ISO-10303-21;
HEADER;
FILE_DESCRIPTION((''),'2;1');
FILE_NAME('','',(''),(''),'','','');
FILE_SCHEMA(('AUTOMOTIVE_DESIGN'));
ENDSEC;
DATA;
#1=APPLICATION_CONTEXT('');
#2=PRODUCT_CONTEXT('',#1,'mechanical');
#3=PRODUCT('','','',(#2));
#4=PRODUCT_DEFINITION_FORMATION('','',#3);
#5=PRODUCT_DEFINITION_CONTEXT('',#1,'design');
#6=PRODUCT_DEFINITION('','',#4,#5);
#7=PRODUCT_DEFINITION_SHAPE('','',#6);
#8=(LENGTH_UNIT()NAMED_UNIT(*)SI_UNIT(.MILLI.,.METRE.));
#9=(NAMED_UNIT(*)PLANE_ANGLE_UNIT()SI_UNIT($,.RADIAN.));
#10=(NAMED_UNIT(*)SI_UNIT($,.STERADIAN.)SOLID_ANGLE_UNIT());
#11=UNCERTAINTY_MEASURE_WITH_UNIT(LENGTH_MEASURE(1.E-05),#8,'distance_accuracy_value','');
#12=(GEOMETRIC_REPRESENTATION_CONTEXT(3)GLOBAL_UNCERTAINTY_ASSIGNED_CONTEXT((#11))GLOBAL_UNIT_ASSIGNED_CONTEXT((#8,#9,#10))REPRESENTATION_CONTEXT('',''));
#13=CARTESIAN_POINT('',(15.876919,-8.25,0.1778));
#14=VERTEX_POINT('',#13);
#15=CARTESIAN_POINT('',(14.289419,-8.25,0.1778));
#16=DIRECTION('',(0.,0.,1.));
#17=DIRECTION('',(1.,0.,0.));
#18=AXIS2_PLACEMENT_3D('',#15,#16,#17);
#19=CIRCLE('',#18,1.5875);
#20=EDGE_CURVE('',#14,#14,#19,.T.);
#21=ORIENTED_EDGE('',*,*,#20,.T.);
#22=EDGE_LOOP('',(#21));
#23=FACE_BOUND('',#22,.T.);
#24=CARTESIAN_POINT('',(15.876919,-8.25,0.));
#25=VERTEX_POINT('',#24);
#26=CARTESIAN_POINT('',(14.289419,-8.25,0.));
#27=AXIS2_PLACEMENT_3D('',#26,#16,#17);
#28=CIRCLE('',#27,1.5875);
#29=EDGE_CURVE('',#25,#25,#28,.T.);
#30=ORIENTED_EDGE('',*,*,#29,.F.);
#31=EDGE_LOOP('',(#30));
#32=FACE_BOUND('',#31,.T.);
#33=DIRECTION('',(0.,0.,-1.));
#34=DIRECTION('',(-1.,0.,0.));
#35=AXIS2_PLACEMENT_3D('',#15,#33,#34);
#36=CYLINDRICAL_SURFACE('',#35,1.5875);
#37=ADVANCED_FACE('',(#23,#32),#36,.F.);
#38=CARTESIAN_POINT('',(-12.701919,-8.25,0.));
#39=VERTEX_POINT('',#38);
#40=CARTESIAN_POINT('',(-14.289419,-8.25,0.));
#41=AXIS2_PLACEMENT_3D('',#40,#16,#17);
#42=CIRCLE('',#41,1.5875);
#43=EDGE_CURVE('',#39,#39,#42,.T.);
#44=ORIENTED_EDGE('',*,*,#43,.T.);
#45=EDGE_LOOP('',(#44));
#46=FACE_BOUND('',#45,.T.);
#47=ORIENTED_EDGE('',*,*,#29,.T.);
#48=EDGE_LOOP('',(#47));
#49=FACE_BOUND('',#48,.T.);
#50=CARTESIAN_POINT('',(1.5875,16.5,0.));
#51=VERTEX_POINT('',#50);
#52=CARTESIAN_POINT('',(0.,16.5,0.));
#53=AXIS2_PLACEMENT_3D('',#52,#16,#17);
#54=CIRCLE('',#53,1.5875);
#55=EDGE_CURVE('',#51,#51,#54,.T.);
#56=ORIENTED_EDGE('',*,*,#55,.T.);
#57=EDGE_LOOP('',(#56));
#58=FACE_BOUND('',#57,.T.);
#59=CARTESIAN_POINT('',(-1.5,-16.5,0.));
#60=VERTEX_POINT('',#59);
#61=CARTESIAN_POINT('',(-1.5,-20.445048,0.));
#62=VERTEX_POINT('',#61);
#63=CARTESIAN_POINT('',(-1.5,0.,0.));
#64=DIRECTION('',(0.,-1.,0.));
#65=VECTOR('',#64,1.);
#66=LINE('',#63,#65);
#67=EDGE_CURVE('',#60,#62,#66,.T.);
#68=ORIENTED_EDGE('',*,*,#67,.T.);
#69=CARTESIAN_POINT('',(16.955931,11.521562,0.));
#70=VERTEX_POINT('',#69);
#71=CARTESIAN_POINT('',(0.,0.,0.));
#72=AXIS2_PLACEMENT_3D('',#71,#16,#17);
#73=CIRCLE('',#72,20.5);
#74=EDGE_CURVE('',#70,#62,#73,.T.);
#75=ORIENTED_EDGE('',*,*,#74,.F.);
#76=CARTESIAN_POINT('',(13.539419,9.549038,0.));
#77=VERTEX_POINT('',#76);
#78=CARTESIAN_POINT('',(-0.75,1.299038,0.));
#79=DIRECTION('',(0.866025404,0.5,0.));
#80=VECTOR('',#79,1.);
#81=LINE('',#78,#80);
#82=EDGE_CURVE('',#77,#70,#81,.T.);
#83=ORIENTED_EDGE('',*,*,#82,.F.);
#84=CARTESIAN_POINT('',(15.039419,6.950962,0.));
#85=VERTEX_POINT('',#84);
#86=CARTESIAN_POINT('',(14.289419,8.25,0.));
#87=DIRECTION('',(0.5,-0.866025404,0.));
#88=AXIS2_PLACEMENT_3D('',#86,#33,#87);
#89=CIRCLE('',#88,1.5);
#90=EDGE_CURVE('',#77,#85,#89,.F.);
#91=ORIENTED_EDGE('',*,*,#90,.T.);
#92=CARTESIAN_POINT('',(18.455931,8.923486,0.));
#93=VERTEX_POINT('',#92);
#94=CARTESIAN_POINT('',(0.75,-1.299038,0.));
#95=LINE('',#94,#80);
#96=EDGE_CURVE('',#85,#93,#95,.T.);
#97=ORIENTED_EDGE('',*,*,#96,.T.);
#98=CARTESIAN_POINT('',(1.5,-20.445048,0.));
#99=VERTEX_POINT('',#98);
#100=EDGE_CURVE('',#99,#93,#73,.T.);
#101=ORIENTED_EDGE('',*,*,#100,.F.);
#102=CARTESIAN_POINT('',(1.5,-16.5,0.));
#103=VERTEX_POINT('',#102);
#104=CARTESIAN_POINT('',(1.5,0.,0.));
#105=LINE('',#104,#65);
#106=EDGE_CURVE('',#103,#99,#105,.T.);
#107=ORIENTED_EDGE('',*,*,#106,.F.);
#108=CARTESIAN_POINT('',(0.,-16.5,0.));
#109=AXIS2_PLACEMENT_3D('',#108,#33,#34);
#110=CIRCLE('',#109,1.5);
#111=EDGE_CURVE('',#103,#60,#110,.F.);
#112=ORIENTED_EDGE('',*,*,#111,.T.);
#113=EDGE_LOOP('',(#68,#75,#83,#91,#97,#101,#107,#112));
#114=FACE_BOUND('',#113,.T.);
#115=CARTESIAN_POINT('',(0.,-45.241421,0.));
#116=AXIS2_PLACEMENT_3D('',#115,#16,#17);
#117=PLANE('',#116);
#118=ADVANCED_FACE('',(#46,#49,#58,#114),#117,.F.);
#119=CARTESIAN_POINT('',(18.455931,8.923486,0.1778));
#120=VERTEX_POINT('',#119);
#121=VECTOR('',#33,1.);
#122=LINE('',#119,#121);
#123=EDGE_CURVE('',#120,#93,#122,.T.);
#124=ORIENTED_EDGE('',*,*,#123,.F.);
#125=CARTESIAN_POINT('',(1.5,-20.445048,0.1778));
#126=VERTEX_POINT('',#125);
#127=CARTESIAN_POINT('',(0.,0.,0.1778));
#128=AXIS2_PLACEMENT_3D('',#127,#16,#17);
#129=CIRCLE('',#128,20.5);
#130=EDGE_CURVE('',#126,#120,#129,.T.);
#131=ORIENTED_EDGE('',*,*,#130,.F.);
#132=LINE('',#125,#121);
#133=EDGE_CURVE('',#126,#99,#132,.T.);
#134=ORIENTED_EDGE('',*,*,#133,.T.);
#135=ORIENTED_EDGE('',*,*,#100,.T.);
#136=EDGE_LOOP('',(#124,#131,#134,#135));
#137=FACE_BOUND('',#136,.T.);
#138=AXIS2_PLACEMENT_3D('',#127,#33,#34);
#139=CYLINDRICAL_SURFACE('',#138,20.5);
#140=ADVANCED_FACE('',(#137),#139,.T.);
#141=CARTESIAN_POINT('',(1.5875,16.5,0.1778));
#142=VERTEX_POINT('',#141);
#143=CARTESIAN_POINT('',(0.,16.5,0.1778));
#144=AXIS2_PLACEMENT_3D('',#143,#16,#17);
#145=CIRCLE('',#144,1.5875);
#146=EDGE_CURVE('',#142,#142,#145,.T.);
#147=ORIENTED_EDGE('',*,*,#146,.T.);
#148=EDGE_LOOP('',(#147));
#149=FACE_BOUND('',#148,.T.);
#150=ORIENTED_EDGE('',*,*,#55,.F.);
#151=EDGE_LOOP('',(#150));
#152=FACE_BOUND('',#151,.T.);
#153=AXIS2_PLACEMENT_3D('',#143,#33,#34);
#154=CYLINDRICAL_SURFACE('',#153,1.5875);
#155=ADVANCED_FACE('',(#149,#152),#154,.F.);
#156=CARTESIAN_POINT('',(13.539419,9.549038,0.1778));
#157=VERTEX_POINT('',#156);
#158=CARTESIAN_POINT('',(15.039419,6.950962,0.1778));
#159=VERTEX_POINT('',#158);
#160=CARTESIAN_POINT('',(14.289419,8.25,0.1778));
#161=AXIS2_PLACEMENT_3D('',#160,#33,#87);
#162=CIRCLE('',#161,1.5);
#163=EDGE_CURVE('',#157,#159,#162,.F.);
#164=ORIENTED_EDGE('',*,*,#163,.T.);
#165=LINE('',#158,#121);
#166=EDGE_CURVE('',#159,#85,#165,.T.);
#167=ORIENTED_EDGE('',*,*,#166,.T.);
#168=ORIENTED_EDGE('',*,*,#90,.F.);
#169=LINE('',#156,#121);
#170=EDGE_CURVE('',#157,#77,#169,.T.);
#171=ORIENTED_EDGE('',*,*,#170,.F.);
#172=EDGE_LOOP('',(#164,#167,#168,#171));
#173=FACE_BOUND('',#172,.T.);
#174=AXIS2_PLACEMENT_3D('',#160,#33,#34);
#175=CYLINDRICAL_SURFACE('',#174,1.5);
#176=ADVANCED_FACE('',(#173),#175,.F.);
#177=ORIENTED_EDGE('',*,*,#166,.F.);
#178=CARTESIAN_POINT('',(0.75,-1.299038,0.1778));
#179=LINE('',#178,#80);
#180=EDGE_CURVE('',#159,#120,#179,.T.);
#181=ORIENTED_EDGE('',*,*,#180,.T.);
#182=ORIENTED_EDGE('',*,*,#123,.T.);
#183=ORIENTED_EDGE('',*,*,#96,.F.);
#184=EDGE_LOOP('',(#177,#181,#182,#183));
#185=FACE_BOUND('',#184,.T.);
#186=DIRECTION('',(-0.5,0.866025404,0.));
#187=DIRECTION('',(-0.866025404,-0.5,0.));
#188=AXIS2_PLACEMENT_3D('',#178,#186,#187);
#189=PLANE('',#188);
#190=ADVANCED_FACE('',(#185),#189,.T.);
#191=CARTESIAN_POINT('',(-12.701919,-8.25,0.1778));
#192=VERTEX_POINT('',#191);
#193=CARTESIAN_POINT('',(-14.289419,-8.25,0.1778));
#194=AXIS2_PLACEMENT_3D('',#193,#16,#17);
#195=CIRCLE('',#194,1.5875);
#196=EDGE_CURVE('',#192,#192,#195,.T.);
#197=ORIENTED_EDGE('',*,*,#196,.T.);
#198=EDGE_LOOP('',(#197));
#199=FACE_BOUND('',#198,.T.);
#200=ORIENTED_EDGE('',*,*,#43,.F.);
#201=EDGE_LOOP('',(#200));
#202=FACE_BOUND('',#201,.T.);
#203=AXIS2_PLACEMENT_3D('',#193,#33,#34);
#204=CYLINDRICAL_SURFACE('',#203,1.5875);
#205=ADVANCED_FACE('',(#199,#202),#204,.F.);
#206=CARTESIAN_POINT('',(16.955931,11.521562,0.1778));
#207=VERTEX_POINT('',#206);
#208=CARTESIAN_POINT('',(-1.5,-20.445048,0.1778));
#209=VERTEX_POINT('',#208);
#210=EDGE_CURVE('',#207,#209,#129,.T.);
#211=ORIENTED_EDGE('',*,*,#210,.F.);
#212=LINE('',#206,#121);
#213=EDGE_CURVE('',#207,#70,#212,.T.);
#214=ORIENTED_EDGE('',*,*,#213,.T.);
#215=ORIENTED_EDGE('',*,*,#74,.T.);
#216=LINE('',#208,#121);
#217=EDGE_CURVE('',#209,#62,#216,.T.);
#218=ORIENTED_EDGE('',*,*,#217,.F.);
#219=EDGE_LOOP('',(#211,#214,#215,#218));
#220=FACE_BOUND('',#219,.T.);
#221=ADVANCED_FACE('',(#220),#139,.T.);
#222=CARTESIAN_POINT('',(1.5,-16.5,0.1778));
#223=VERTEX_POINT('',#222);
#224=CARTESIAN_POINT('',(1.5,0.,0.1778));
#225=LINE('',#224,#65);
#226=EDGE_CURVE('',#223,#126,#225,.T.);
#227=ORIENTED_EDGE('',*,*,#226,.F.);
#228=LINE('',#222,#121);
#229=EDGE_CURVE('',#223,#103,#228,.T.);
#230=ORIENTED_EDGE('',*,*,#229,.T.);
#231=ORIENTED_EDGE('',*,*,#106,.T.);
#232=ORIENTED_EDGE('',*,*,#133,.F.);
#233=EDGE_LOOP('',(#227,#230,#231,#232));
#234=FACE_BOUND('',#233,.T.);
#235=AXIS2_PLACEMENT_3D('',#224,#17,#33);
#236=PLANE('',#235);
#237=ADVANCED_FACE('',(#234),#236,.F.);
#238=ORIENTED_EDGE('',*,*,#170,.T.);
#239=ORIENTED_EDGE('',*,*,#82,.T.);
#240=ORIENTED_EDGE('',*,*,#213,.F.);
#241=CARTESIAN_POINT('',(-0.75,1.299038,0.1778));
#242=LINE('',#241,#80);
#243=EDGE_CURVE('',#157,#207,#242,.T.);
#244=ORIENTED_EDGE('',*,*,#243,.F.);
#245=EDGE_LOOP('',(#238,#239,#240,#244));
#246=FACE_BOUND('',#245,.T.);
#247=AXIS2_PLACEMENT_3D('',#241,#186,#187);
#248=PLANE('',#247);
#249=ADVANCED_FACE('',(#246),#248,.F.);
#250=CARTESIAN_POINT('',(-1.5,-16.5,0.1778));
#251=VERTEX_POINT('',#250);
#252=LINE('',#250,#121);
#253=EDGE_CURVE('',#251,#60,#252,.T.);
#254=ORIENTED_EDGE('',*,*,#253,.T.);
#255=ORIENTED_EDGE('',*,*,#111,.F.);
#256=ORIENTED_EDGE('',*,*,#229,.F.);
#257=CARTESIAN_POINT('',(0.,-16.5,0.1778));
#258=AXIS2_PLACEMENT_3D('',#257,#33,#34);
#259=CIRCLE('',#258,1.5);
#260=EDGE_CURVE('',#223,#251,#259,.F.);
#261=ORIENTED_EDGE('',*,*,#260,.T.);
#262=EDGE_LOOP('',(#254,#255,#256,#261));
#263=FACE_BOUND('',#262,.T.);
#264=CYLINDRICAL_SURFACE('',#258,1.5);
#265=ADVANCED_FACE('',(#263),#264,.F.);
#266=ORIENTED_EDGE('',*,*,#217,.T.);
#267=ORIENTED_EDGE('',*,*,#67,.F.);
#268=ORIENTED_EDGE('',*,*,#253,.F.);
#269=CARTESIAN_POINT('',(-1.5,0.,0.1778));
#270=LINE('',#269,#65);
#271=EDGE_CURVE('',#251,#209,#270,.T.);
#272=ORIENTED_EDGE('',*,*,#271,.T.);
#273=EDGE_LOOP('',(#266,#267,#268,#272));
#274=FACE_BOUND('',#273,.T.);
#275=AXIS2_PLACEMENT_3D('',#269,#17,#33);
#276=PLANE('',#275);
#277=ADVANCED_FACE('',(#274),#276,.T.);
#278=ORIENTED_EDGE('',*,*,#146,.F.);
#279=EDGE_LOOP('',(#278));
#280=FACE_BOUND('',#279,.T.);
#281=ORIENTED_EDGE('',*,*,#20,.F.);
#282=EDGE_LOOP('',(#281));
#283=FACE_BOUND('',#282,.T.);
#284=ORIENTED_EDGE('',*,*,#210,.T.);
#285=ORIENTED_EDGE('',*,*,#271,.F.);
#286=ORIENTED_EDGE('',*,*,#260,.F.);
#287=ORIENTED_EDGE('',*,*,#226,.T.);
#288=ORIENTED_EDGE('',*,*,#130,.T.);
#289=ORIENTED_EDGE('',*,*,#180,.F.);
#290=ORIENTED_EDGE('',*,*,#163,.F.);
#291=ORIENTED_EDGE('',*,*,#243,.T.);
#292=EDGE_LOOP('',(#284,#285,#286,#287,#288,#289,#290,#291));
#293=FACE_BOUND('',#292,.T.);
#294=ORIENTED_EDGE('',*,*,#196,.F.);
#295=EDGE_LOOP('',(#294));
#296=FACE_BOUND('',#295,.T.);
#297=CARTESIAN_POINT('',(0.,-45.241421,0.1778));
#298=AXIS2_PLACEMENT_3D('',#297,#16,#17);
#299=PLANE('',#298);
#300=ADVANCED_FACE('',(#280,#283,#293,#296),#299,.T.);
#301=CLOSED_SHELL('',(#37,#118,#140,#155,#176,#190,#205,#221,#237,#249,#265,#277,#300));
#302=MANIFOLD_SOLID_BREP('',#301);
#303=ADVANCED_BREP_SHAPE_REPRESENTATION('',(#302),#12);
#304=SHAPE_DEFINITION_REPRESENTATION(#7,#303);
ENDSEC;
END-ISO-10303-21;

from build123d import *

# Parameters (mm, degrees)
SKETCH3_R          = 20.5
SKETCH3_R_2        = 1.5875
EXTRUDE2_DEPTH     = 0.1778
SKETCH5_R          = 1.5
CUT_EXTRUDE1_DEPTH = 29.991923235
CIRPATTERN1_COUNT  = 3


with BuildPart() as part:
    # Sketch3 → Extrude2 (new body)
    with BuildSketch(Plane.XY):
        Circle(SKETCH3_R)
        with Locations((0, 16.5)):
            Circle(SKETCH3_R_2, mode=Mode.SUBTRACT)
        with Locations((14.289419162, -8.25)):
            Circle(SKETCH3_R_2, mode=Mode.SUBTRACT)
        with Locations((-14.289419162, -8.25)):
            Circle(SKETCH3_R_2, mode=Mode.SUBTRACT)
    extrude(amount=EXTRUDE2_DEPTH)

    # Sketch5 → Cut-Extrude1 (cut, through all)
    with BuildSketch(Plane.XY):
        with BuildLine():
            Line((1.5, -20.4450483), (1.5, -16.5))
            ThreePointArc((1.5, -16.5), (0, -18), (-1.5, -16.5))
            Line((-1.5, -16.5), (-1.5, -20.4450483))
            ThreePointArc((-1.5, -20.4450483), (0, -20.5), (1.5, -20.4450483))
        make_face()
        with Locations((0, -16.5)):
            Circle(SKETCH5_R)
    cut_extrude1 = extrude(amount=CUT_EXTRUDE1_DEPTH, mode=Mode.SUBTRACT)

    # CirPattern1: Cut-Extrude1 ×3 about axis, 1 skipped
    cirpattern1_axis = Axis((0, 0, 0.1778), (0, 0, -1))
    add([cut_extrude1.rotate(cirpattern1_axis, i * 360 / CIRPATTERN1_COUNT) for i in range(1, CIRPATTERN1_COUNT) if i not in (1,)], mode=Mode.SUBTRACT)


solid = part.part
